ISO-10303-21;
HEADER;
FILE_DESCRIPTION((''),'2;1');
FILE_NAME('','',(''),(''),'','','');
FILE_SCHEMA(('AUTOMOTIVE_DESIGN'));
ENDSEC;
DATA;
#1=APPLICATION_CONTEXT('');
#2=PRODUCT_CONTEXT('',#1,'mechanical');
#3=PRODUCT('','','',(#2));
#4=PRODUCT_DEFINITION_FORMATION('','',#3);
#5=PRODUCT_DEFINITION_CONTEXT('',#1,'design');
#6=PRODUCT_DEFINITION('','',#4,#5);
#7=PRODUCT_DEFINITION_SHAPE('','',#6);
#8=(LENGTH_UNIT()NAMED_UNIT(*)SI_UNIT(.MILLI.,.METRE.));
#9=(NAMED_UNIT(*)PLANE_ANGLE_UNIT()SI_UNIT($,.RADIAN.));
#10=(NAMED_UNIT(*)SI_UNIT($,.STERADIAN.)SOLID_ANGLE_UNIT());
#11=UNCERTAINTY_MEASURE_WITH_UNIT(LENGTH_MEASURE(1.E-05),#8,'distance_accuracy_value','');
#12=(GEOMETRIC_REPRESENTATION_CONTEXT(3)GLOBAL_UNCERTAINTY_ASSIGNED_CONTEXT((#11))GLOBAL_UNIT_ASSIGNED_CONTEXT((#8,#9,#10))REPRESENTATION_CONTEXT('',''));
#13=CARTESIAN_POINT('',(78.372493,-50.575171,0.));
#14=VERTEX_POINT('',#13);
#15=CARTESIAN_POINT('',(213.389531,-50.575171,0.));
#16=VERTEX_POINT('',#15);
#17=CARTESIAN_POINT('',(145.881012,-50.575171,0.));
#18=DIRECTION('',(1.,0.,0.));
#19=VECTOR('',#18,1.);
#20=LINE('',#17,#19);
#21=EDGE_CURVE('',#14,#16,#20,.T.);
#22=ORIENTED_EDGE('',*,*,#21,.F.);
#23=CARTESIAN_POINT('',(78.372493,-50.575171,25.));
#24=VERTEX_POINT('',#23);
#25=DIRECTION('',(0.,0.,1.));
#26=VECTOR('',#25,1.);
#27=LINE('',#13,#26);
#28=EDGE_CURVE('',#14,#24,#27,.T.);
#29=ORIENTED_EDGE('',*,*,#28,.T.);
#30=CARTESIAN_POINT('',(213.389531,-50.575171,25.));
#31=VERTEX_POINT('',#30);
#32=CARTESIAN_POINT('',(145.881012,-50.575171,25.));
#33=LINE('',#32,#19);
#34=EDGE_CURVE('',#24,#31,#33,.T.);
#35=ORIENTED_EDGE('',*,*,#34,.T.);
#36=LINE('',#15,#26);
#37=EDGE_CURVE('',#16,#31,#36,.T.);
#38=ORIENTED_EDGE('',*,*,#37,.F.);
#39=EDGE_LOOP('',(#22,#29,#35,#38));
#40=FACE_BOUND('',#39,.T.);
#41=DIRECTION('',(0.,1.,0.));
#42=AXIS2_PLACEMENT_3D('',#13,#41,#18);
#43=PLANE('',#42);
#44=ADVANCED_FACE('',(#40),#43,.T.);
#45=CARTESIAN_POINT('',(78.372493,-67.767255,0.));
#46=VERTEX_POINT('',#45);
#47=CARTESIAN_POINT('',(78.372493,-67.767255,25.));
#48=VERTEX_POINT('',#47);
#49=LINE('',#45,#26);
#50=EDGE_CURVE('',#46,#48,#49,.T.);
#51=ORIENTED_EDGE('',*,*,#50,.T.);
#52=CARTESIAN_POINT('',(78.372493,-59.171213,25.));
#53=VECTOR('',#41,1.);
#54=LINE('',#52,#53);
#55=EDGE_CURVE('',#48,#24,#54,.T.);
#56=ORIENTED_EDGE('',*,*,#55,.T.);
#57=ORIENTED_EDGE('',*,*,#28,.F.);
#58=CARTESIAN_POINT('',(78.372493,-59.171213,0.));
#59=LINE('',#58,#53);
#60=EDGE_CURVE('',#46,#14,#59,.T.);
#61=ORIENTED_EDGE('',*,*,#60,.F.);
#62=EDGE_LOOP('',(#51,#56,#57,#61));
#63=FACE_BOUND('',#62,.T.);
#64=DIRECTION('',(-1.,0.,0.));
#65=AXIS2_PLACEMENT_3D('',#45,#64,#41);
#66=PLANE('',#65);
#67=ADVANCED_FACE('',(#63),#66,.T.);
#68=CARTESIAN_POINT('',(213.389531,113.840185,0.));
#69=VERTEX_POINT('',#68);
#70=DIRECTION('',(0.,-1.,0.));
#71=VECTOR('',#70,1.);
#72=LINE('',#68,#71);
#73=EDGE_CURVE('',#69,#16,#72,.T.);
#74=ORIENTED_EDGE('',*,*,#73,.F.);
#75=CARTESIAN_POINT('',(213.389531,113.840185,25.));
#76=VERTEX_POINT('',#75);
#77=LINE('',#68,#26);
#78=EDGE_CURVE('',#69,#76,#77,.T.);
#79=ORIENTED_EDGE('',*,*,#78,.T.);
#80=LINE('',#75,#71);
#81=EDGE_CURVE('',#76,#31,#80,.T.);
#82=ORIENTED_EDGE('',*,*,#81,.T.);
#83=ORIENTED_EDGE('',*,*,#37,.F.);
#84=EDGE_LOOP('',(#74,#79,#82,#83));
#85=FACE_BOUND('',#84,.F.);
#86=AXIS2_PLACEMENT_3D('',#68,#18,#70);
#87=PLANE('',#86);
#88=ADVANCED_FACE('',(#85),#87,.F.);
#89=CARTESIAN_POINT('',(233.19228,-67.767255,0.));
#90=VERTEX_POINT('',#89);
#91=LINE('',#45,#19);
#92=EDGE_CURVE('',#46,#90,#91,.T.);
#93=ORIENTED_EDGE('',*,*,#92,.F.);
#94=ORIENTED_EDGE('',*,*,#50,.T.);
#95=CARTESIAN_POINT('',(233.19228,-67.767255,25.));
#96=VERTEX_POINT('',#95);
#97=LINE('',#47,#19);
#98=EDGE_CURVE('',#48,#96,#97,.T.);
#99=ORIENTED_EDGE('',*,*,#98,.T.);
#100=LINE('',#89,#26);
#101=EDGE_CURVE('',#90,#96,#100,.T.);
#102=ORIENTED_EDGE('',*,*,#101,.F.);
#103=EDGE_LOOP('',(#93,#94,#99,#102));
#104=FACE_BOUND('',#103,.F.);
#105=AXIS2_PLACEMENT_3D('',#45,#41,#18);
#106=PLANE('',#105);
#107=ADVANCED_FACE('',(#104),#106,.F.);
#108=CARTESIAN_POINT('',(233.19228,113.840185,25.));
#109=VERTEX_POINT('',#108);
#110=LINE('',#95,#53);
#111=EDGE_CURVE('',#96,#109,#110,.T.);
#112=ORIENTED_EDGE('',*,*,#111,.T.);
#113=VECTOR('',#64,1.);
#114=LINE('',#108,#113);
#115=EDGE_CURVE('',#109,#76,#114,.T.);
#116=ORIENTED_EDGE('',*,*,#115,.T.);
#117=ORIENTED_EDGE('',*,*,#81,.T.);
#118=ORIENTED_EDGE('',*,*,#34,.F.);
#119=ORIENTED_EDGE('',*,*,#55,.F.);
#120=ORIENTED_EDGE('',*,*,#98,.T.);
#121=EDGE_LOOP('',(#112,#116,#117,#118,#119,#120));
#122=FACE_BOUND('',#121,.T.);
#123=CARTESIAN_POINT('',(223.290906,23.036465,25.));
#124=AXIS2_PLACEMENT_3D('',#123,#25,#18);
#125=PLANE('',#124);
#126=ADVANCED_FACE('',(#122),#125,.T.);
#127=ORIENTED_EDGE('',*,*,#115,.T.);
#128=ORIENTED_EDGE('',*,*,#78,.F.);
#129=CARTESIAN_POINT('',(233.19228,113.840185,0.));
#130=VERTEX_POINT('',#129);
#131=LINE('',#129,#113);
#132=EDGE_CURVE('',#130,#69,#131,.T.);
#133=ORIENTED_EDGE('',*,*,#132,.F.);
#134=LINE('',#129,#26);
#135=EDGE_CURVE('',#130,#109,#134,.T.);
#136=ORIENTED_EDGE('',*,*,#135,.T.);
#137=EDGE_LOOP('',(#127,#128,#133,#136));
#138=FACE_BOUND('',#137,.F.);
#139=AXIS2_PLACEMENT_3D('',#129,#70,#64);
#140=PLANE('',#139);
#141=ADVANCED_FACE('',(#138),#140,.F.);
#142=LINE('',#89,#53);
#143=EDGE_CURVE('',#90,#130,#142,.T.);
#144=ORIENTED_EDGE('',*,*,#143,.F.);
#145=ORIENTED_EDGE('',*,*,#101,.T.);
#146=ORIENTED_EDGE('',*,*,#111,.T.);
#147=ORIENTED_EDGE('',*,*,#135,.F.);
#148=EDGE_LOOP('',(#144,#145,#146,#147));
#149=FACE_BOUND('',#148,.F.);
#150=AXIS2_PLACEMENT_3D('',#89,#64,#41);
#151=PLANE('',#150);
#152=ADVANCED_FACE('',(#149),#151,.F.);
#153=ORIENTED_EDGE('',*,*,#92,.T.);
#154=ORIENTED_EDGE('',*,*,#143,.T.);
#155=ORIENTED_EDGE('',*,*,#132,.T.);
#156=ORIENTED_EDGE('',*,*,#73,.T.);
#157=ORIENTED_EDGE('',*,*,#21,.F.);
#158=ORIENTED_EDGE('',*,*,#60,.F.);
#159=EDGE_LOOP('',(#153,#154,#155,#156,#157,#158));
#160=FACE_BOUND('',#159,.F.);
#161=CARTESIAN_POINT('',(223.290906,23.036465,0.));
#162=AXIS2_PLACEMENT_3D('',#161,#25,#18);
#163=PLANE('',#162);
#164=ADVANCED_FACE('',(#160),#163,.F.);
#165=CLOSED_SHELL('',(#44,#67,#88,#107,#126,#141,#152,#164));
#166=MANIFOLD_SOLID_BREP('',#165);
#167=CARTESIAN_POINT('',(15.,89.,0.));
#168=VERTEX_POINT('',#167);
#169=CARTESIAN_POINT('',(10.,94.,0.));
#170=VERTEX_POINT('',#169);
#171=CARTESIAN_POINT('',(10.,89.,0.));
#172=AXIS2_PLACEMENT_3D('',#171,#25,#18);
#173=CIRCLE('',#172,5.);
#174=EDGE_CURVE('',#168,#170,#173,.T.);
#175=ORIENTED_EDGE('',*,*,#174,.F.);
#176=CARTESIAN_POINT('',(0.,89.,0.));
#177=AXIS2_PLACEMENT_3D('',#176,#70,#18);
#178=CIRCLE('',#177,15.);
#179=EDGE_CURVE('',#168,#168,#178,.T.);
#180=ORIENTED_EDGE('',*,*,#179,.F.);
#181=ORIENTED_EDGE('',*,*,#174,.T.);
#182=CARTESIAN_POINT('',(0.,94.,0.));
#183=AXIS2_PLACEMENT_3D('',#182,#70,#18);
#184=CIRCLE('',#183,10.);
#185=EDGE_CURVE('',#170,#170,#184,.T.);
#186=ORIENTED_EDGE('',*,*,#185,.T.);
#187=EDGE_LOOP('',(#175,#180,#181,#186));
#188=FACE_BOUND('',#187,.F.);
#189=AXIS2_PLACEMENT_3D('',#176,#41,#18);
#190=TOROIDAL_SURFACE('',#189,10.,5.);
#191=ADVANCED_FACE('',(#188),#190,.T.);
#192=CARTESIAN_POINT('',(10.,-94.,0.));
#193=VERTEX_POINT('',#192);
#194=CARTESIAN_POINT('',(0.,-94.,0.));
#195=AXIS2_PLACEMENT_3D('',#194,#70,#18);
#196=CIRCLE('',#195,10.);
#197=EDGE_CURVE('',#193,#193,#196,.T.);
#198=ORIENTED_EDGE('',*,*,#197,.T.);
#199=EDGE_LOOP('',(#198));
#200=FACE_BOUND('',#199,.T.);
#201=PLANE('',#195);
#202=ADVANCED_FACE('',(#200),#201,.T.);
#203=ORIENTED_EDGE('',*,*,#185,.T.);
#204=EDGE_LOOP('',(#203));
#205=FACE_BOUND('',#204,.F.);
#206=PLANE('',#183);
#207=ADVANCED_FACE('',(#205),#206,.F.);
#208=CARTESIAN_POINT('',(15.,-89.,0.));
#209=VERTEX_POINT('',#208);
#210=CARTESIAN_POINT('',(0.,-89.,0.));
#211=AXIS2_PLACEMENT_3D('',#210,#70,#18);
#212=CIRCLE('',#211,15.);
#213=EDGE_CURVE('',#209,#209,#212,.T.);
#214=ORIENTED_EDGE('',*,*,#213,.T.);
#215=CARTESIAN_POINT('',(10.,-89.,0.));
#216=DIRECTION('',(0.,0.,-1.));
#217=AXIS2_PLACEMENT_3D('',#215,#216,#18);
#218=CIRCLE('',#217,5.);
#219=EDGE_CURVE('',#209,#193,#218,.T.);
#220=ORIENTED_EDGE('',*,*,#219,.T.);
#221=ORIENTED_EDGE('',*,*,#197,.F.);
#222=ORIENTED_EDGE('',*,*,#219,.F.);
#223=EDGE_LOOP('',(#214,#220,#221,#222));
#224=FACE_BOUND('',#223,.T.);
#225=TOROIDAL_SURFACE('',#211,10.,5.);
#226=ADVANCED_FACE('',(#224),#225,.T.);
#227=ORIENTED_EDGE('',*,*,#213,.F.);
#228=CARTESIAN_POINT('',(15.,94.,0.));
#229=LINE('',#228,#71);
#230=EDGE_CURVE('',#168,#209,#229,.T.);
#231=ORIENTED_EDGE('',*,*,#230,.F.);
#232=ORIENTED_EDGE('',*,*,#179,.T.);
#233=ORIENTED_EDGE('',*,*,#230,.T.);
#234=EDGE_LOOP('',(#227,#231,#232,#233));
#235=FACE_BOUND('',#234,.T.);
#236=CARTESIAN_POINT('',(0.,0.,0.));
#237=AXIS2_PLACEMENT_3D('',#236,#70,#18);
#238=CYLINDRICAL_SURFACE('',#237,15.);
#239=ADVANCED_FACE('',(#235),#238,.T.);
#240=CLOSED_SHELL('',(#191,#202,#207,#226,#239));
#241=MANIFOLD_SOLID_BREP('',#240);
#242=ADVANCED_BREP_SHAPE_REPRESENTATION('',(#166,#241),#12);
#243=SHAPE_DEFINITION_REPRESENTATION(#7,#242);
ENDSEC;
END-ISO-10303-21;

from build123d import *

# Parameters (mm, degrees)
F0_R     = 15
F1_DEPTH = 94
F2_R     = 5
F3_W     = 135.017038
F3_H     = 17.192084
F4_DEPTH = 25


with BuildPart() as f1:
    # F0 (on Front) → F1 (new body, symmetric)
    with BuildSketch(Plane.XZ):
        Circle(F0_R)
    extrude(amount=F1_DEPTH, both=True)

    # F2
    f2_edges = [f1.edges().sort_by_distance(p)[0] for p in [
        (-15, -94, 0),
        (-15, 94, 0),
    ]]
    fillet(f2_edges, radius=F2_R)


with BuildPart() as f4:
    # F3 (on Top) → F4 (new body)
    with BuildSketch(Plane.XY):
        Polygon((233.19228, 113.840185), (213.389531, 113.840185), (213.389531, -50.575171), (213.389531, -67.767255), (233.19228, -67.767255), align=None)
        with Locations((145.881012, -59.171213)):
            Rectangle(F3_W, F3_H)
    extrude(amount=F4_DEPTH)


solid = Compound([f1.part, f4.part])
